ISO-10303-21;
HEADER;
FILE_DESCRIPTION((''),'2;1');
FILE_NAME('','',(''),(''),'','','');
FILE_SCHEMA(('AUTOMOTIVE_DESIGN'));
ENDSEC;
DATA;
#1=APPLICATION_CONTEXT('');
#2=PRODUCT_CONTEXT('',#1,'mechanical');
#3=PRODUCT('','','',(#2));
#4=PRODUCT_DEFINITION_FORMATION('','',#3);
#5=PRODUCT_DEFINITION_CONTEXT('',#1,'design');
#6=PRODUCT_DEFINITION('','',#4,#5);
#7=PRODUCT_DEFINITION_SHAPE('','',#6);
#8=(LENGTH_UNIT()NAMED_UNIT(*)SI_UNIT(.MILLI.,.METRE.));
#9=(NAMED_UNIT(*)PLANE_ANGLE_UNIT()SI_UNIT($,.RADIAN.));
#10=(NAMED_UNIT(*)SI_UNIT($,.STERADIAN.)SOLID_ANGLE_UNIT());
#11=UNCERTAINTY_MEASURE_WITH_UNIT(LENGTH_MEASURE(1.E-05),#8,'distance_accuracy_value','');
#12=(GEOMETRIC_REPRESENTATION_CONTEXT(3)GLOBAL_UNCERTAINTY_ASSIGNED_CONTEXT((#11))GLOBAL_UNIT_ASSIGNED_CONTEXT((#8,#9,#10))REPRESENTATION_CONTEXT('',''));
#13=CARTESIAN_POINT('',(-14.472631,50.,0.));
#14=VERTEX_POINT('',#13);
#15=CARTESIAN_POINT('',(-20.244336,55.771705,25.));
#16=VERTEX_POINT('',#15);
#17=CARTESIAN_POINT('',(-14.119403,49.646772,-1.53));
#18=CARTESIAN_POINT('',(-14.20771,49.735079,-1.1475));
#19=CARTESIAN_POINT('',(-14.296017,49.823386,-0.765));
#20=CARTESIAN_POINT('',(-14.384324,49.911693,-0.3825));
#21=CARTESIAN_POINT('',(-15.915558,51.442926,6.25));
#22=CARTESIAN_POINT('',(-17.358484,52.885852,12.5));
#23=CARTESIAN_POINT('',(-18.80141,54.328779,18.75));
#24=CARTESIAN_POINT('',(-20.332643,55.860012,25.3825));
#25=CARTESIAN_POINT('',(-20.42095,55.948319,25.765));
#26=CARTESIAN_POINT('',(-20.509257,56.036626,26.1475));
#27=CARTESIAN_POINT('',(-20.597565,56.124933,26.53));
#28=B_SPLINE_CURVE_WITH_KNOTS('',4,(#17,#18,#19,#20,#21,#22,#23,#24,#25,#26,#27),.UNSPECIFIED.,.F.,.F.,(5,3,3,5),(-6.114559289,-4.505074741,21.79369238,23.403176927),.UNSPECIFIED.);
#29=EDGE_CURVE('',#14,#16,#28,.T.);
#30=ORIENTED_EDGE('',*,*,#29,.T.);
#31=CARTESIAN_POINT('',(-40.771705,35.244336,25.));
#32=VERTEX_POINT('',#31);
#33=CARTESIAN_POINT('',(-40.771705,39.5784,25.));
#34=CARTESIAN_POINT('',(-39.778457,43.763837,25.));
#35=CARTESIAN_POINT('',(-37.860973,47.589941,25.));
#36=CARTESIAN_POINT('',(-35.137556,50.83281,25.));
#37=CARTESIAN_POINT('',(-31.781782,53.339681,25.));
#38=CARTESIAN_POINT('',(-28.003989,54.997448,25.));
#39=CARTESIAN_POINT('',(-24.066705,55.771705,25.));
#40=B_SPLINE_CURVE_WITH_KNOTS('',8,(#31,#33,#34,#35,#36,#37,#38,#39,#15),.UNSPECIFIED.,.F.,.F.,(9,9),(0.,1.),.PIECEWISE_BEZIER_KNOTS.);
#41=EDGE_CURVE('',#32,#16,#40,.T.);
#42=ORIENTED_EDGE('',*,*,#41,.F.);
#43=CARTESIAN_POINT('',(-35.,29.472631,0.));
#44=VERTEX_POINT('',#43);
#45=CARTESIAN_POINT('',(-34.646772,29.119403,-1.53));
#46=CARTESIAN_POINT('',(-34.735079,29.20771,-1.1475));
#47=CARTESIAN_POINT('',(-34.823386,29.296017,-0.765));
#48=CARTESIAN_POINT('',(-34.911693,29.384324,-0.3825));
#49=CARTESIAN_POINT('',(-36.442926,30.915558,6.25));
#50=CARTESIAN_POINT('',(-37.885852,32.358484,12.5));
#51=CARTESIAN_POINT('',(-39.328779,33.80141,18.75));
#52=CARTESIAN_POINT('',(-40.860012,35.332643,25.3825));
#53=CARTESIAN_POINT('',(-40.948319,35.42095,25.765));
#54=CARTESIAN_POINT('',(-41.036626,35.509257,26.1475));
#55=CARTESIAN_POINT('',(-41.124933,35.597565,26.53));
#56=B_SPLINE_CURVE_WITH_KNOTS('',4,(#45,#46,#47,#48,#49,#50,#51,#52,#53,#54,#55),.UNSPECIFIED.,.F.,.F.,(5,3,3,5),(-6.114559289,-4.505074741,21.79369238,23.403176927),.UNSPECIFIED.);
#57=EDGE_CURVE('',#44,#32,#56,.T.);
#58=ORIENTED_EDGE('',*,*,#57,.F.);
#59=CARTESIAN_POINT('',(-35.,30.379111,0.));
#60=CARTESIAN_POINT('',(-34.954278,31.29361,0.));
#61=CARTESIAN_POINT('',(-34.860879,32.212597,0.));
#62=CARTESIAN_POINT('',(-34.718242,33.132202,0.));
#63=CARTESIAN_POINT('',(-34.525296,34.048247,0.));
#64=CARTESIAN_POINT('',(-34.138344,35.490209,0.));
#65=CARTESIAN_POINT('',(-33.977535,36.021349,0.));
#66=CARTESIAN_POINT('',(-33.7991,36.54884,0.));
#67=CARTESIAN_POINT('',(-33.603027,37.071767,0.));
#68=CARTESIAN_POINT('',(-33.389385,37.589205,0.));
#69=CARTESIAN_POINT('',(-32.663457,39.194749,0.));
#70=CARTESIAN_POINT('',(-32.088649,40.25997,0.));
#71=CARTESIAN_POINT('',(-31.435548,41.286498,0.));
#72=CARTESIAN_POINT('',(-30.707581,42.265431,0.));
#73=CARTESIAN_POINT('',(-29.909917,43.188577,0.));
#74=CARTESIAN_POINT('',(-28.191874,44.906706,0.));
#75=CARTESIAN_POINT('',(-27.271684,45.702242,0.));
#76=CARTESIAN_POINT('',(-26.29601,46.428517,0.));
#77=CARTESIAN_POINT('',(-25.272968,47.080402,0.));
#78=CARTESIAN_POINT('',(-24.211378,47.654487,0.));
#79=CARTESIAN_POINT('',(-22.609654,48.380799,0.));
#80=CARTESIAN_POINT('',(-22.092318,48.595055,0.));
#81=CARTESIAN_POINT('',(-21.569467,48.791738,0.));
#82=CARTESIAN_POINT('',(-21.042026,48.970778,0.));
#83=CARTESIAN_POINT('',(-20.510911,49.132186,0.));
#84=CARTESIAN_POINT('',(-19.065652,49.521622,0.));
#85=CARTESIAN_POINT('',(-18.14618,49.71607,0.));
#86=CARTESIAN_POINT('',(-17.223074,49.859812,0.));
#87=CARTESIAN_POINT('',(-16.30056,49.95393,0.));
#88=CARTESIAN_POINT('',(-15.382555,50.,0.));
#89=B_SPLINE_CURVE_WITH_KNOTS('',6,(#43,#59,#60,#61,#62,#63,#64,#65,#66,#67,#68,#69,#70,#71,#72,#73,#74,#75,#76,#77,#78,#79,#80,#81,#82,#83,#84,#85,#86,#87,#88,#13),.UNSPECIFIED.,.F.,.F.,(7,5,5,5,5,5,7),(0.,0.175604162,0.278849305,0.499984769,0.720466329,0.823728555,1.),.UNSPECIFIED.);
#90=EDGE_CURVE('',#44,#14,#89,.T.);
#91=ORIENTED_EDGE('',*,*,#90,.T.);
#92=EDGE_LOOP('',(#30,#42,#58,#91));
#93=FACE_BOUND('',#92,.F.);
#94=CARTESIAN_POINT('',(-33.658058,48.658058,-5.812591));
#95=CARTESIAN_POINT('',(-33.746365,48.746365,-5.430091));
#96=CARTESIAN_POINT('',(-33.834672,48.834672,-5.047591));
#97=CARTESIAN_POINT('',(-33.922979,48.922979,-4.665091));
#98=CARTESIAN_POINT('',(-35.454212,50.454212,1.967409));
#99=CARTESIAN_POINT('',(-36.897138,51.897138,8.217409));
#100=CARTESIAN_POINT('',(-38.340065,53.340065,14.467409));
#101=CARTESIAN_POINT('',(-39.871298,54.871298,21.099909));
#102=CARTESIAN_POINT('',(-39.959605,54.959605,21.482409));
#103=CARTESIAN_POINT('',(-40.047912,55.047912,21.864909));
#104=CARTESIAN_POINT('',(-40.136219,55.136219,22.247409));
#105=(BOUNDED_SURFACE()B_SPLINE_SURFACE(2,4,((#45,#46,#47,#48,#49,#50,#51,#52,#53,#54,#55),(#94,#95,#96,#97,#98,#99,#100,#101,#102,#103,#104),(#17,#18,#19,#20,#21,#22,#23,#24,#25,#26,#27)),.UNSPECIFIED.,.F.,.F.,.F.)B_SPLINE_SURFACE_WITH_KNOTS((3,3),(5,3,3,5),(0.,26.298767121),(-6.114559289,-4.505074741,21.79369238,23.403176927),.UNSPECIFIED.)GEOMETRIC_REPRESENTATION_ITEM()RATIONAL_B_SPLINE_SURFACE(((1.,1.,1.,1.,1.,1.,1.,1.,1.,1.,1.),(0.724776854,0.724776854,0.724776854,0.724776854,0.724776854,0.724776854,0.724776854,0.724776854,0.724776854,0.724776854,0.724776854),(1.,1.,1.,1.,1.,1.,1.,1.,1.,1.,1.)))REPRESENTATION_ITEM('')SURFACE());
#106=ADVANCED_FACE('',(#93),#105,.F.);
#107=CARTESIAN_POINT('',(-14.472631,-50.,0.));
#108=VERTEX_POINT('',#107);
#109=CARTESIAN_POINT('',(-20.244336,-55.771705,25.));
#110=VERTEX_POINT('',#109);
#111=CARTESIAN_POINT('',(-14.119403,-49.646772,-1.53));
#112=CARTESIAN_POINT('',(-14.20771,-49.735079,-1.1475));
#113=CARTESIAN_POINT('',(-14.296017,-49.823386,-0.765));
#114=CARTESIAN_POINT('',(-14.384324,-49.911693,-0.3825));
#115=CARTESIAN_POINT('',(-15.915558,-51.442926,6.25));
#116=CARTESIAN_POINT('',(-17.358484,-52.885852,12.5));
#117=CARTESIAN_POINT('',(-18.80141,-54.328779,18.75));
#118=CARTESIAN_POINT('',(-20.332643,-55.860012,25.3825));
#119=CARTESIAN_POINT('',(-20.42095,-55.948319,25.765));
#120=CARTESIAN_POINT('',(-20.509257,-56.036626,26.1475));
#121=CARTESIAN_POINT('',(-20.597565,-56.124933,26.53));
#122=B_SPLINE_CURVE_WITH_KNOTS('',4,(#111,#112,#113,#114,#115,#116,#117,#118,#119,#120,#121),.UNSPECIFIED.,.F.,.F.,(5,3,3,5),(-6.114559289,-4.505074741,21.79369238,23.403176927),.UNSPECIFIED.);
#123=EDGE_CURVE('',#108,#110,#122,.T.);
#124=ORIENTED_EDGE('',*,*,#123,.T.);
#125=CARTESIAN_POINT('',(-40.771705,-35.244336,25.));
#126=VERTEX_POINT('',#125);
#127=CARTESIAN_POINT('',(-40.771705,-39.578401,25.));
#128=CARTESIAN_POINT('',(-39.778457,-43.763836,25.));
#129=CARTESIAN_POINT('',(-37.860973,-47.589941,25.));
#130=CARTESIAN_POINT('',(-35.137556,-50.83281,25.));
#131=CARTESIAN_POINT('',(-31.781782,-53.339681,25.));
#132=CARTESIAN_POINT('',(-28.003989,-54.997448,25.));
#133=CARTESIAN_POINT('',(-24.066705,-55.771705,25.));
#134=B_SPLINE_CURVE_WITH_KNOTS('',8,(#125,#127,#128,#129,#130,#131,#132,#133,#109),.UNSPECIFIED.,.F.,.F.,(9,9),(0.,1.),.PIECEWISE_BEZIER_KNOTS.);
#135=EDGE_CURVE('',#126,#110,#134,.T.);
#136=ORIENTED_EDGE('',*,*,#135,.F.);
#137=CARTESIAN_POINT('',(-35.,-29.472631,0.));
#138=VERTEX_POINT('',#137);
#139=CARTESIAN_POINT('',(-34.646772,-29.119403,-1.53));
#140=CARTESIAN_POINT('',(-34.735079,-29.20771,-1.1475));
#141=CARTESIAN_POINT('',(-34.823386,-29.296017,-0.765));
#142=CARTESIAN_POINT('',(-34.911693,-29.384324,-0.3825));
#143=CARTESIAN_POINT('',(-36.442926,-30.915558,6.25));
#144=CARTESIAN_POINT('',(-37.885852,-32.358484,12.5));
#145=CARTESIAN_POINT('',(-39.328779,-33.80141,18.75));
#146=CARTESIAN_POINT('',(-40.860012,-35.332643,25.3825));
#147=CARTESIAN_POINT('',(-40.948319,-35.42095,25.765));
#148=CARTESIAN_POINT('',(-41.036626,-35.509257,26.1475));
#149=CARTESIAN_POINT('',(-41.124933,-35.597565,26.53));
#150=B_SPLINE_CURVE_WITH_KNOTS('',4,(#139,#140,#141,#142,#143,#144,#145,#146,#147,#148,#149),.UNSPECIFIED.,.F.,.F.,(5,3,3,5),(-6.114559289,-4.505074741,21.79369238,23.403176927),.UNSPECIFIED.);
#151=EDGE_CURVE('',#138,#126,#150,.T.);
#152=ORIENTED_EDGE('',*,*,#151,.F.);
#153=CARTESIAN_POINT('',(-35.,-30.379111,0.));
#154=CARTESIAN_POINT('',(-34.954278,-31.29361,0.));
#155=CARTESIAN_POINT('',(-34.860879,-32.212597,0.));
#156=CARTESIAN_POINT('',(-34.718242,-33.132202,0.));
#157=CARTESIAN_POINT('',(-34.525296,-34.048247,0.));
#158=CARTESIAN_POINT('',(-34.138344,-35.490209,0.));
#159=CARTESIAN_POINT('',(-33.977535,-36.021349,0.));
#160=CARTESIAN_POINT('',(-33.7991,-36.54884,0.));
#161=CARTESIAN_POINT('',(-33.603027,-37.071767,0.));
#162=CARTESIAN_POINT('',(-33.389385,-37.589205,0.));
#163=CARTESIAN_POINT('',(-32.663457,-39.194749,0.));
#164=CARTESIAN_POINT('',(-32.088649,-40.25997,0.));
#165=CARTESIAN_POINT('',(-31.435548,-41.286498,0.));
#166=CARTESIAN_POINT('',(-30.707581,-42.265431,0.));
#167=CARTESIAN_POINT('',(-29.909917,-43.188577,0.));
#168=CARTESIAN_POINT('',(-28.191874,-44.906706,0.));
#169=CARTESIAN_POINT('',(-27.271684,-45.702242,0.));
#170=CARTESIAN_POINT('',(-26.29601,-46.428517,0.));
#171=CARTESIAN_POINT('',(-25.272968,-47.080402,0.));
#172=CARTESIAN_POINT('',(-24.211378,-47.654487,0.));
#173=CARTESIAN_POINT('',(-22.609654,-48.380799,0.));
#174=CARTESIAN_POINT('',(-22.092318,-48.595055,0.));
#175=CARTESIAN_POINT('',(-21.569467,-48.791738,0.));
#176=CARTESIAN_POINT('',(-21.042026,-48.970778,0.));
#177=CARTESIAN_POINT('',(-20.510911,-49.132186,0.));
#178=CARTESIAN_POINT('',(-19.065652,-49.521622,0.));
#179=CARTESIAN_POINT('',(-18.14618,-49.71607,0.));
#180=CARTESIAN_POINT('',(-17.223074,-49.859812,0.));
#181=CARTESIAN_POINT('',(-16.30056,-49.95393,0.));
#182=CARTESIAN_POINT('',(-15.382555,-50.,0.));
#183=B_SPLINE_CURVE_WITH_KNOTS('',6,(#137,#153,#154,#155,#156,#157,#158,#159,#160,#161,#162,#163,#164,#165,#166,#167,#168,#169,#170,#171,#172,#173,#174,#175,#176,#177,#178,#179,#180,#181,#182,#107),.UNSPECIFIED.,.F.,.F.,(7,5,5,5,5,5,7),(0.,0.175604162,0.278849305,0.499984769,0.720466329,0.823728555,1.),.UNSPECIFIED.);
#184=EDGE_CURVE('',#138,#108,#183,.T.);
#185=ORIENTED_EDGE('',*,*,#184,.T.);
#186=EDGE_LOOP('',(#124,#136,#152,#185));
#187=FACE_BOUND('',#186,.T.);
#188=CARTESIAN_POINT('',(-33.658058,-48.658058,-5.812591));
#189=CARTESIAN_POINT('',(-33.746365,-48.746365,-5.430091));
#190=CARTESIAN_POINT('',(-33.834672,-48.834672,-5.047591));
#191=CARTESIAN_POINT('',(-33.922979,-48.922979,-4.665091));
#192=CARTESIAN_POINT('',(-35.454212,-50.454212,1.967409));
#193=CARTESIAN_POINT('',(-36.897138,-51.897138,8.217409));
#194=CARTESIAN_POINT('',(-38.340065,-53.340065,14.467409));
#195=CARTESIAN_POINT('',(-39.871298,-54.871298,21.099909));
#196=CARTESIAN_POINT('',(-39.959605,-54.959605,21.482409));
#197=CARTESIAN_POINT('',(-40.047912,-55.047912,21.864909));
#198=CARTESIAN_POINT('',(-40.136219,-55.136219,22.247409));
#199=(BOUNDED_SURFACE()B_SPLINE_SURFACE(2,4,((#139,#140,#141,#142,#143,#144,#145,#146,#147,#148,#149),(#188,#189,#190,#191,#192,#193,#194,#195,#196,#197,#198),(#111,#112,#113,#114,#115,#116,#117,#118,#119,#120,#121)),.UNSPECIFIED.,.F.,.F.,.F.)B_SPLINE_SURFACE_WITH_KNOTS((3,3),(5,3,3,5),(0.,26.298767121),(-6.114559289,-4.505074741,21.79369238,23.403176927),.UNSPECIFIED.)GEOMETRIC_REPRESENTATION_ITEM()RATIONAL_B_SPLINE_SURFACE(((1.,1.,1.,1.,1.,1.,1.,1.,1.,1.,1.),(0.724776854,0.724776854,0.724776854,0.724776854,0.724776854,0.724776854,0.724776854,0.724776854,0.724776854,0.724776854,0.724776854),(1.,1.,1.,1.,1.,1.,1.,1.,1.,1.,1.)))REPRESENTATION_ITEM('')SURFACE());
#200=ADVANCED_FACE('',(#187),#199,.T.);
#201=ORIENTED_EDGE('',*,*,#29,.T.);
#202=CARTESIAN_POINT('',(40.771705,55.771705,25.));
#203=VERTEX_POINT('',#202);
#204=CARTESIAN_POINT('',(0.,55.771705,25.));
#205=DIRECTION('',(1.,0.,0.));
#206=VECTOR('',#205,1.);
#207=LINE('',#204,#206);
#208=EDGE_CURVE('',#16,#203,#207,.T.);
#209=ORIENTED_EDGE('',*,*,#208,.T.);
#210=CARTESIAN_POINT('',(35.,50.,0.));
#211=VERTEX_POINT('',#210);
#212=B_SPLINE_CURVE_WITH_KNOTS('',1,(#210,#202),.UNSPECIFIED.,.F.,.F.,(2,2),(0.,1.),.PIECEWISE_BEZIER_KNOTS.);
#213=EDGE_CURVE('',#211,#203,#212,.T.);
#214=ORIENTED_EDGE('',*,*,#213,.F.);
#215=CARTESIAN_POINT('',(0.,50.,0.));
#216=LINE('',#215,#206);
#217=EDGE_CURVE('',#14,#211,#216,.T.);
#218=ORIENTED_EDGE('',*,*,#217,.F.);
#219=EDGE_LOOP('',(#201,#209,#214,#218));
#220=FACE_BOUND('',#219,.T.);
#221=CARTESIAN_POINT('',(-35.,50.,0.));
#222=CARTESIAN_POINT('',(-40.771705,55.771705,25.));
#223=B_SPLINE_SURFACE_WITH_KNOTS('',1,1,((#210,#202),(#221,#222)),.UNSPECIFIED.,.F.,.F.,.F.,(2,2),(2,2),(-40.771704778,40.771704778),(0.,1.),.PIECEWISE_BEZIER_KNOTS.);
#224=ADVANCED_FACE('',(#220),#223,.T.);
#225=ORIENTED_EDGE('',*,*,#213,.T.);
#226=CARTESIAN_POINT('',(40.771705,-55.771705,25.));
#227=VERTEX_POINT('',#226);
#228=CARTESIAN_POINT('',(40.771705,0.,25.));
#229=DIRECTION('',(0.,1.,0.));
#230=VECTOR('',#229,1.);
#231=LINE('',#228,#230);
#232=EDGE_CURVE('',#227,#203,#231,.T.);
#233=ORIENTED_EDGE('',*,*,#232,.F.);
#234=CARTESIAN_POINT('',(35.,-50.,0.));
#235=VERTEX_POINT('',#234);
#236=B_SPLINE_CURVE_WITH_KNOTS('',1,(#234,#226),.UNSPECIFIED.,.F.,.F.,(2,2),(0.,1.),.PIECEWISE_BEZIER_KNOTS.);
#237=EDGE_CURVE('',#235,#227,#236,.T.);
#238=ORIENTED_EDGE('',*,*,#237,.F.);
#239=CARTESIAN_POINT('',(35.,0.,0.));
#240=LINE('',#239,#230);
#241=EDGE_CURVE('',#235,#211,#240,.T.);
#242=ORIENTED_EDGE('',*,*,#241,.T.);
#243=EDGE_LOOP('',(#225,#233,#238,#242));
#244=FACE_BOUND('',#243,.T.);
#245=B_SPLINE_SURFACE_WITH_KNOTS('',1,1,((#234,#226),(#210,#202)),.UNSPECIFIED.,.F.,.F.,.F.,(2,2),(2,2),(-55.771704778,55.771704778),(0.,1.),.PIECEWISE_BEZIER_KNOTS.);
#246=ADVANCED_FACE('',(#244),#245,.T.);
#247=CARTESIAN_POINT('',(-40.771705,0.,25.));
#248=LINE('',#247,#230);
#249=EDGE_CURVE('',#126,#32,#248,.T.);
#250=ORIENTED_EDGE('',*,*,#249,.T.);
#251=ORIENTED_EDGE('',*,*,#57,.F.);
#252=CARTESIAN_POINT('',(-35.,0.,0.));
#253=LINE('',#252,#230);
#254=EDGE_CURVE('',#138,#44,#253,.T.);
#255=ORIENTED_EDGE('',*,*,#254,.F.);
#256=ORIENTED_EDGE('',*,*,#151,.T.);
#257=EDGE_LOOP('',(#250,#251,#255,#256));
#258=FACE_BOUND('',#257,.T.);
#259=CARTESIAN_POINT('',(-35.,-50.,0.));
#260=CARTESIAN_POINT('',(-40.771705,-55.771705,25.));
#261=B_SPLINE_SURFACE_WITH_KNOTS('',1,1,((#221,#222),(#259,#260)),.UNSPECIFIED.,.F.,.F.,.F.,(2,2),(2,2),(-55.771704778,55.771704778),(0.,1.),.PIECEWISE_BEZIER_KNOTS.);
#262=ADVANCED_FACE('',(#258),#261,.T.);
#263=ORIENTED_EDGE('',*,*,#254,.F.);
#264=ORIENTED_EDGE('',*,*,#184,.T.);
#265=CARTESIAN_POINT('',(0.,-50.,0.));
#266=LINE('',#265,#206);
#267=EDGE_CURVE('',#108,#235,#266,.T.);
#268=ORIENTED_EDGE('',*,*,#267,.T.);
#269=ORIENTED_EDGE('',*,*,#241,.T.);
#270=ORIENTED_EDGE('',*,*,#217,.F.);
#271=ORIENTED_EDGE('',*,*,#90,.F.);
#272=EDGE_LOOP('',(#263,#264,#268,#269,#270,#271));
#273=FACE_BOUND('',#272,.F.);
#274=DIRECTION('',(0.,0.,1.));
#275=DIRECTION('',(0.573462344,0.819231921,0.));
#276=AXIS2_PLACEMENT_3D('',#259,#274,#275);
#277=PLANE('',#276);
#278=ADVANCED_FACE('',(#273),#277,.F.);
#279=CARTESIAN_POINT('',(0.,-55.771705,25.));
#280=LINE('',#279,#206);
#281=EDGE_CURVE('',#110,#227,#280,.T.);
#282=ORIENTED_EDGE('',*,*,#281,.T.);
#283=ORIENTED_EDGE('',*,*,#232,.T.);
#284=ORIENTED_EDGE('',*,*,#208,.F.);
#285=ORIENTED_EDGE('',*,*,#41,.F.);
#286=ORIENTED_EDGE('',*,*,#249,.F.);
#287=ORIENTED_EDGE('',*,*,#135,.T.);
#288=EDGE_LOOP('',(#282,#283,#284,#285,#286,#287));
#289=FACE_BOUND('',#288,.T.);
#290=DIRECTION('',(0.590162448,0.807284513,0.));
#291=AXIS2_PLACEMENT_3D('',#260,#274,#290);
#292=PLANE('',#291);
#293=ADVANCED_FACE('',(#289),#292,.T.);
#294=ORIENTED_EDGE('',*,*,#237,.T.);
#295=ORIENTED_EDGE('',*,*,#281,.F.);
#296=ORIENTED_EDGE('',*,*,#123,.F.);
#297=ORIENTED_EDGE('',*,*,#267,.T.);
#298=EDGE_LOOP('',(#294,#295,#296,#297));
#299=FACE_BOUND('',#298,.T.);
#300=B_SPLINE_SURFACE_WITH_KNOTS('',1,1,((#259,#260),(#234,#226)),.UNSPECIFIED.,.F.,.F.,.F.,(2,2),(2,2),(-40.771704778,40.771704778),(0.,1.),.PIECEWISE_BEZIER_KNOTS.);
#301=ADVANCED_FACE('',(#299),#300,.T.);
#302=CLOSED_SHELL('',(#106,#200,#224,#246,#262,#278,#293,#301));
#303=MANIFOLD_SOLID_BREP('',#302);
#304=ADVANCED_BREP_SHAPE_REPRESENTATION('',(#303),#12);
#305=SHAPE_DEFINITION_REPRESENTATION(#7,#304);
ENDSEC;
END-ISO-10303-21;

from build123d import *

# Parameters (mm, degrees)
F0_W     = 70
F0_H     = 100
F1_DEPTH = 25
F1_TAPER = -13
F2_R     = 21.0673227267


with BuildPart() as f1:
    # F0 (on Top) → F1 (new body)
    with BuildSketch(Plane.XY):
        Rectangle(F0_W, F0_H)
    extrude(amount=F1_DEPTH, taper=F1_TAPER)

    # F2
    f2_edges = [f1.edges().sort_by_distance(p)[0] for p in [
        (-37.885852, -52.885852, 12.5),
        (-37.885852, 52.885852, 12.5),
    ]]
    fillet(f2_edges, radius=F2_R)


solid = f1.part
